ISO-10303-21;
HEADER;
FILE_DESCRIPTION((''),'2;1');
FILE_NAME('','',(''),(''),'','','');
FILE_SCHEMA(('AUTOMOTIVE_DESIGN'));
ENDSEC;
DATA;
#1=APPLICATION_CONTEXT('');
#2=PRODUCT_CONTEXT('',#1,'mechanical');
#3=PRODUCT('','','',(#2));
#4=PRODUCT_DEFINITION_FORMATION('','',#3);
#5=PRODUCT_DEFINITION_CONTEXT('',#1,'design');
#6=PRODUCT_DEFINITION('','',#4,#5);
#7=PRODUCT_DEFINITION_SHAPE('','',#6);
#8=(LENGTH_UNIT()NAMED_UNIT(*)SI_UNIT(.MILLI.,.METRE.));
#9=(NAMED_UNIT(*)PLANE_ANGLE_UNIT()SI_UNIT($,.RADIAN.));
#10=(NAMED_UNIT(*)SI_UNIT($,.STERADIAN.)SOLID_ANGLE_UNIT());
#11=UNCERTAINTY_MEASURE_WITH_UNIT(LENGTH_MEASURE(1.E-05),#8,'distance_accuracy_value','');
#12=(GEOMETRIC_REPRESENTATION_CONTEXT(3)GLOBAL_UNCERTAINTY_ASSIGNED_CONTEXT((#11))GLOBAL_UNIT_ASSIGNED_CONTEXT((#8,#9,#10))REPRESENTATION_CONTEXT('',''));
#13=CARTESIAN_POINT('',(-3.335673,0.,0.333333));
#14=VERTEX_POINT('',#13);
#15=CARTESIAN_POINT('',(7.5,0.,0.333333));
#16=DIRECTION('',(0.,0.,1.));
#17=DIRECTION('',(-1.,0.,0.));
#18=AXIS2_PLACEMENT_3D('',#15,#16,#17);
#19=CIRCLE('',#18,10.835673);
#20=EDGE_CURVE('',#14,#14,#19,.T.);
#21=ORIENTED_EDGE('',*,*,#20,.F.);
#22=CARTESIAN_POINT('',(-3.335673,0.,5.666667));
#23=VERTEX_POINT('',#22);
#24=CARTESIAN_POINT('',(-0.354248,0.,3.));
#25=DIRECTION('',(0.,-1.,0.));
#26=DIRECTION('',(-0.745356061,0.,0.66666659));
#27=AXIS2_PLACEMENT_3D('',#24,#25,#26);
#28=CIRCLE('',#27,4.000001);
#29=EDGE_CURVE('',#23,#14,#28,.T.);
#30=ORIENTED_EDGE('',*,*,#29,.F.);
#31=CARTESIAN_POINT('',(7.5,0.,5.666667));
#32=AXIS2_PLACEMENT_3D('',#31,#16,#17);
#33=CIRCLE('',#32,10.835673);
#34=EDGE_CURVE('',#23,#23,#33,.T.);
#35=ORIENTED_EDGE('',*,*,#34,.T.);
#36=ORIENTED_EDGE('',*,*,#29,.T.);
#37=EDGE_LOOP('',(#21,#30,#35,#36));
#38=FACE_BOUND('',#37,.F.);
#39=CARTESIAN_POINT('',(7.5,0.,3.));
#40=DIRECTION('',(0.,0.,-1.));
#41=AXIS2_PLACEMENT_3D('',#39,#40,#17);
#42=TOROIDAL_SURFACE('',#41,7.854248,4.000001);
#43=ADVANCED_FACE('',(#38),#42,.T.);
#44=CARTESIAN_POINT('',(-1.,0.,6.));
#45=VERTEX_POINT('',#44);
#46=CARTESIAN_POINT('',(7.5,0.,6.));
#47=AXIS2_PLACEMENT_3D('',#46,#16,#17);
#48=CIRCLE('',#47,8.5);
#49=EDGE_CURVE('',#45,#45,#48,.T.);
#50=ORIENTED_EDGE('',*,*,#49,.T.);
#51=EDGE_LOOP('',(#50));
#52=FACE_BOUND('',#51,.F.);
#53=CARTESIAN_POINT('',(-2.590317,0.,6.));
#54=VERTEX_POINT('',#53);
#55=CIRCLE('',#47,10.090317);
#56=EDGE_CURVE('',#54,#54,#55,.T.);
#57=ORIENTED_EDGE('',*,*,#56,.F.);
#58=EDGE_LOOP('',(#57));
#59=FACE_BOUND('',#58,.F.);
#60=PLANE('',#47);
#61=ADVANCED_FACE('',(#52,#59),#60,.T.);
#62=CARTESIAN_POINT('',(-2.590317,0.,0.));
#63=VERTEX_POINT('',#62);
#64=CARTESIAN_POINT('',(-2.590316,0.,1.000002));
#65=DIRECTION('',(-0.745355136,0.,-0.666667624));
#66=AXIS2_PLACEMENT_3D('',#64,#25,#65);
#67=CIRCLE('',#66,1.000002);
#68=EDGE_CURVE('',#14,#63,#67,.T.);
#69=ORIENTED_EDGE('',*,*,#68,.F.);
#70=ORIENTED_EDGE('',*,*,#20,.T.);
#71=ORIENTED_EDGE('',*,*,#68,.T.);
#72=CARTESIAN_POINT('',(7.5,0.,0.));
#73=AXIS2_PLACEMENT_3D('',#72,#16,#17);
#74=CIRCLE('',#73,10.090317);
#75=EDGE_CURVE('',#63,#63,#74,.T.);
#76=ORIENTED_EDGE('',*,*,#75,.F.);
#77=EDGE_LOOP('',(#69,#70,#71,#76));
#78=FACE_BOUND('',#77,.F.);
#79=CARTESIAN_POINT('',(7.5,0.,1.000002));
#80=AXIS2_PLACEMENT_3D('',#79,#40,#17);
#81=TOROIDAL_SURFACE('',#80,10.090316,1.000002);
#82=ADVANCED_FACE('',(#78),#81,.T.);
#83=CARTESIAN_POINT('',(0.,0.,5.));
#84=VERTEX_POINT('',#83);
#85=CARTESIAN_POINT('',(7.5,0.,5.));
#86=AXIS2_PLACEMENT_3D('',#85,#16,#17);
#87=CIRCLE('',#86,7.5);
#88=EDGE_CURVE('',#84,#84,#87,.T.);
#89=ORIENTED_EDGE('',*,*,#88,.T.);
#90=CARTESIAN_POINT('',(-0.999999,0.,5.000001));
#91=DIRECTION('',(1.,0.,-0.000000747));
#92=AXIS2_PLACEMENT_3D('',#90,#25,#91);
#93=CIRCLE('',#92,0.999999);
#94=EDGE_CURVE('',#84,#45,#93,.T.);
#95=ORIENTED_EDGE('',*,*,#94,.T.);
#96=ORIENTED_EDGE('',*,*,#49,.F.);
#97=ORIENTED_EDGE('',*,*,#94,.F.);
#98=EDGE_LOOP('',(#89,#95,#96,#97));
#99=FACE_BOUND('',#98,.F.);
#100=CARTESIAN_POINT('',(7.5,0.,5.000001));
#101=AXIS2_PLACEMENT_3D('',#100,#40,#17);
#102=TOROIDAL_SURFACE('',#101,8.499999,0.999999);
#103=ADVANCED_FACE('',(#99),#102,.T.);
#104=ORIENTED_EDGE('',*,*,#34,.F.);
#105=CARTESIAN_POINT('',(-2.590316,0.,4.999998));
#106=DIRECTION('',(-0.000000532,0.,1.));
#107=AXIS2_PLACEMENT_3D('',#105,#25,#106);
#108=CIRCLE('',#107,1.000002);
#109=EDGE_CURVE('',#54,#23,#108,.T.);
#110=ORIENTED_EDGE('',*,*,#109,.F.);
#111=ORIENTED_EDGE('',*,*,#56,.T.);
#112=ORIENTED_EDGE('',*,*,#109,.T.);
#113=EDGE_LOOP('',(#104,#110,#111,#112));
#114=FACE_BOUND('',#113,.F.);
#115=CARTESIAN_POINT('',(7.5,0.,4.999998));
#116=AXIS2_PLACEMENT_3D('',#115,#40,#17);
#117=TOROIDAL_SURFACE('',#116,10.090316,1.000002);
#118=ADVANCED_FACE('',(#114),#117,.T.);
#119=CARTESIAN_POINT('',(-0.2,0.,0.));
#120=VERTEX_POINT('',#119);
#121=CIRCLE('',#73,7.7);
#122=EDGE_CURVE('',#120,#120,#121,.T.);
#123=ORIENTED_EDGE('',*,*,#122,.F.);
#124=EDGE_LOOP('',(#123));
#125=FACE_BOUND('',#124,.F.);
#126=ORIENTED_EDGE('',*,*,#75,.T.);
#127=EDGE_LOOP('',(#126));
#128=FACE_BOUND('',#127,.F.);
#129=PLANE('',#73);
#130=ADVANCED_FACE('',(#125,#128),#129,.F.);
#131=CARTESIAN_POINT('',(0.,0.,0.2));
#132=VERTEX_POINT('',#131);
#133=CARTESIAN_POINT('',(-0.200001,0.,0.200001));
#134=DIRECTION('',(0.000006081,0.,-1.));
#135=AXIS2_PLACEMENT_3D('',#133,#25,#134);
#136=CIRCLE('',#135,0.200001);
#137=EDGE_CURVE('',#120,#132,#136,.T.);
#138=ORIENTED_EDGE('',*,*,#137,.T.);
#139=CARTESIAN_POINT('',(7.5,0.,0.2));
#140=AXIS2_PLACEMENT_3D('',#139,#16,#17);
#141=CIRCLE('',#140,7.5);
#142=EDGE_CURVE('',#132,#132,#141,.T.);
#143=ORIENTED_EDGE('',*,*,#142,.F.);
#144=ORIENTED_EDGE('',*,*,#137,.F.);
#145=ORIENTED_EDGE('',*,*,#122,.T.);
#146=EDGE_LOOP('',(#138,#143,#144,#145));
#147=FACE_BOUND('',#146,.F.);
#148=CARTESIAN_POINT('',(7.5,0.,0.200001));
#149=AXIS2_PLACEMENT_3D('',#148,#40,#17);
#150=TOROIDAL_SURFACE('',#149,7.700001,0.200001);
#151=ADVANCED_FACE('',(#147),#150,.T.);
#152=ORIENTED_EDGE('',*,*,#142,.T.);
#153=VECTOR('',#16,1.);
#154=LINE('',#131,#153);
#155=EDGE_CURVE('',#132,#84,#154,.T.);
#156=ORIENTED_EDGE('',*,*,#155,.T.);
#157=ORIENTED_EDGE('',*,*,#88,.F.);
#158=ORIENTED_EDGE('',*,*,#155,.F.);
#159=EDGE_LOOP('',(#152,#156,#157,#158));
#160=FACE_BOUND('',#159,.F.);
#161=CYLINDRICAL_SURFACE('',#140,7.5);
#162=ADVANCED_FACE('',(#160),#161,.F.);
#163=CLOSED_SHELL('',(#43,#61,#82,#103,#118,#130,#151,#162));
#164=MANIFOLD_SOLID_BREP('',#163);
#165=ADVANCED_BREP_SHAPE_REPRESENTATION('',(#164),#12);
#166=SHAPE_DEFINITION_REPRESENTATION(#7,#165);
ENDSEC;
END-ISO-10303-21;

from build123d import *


with BuildPart() as f1:
    # F0 (on Front) → F1 (revolve)
    with BuildSketch(Plane.XZ):
        with BuildLine():
            ThreePointArc((-0.2, 0), (-0.058579, 0.058579), (0, 0.2))
            Line((0, 0.2), (0, 5))
            ThreePointArc((0, 5), (-0.292893, 5.707107), (-1, 6))
            Line((-1, 6), (-2.590317, 6))
            ThreePointArc((-2.590317, 6), (-2.998565, 5.912871), (-3.335673, 5.666667))
            ThreePointArc((-3.335673, 5.666667), (-4.354249, 3), (-3.335673, 0.333333))
            ThreePointArc((-3.335673, 0.333333), (-2.998565, 0.087129), (-2.590317, 0))
            Line((-2.590317, 0), (-0.2, 0))
        make_face()
    revolve(axis=Axis((7.5, 0, 2.6), (0, 0, 1)))


solid = f1.part
